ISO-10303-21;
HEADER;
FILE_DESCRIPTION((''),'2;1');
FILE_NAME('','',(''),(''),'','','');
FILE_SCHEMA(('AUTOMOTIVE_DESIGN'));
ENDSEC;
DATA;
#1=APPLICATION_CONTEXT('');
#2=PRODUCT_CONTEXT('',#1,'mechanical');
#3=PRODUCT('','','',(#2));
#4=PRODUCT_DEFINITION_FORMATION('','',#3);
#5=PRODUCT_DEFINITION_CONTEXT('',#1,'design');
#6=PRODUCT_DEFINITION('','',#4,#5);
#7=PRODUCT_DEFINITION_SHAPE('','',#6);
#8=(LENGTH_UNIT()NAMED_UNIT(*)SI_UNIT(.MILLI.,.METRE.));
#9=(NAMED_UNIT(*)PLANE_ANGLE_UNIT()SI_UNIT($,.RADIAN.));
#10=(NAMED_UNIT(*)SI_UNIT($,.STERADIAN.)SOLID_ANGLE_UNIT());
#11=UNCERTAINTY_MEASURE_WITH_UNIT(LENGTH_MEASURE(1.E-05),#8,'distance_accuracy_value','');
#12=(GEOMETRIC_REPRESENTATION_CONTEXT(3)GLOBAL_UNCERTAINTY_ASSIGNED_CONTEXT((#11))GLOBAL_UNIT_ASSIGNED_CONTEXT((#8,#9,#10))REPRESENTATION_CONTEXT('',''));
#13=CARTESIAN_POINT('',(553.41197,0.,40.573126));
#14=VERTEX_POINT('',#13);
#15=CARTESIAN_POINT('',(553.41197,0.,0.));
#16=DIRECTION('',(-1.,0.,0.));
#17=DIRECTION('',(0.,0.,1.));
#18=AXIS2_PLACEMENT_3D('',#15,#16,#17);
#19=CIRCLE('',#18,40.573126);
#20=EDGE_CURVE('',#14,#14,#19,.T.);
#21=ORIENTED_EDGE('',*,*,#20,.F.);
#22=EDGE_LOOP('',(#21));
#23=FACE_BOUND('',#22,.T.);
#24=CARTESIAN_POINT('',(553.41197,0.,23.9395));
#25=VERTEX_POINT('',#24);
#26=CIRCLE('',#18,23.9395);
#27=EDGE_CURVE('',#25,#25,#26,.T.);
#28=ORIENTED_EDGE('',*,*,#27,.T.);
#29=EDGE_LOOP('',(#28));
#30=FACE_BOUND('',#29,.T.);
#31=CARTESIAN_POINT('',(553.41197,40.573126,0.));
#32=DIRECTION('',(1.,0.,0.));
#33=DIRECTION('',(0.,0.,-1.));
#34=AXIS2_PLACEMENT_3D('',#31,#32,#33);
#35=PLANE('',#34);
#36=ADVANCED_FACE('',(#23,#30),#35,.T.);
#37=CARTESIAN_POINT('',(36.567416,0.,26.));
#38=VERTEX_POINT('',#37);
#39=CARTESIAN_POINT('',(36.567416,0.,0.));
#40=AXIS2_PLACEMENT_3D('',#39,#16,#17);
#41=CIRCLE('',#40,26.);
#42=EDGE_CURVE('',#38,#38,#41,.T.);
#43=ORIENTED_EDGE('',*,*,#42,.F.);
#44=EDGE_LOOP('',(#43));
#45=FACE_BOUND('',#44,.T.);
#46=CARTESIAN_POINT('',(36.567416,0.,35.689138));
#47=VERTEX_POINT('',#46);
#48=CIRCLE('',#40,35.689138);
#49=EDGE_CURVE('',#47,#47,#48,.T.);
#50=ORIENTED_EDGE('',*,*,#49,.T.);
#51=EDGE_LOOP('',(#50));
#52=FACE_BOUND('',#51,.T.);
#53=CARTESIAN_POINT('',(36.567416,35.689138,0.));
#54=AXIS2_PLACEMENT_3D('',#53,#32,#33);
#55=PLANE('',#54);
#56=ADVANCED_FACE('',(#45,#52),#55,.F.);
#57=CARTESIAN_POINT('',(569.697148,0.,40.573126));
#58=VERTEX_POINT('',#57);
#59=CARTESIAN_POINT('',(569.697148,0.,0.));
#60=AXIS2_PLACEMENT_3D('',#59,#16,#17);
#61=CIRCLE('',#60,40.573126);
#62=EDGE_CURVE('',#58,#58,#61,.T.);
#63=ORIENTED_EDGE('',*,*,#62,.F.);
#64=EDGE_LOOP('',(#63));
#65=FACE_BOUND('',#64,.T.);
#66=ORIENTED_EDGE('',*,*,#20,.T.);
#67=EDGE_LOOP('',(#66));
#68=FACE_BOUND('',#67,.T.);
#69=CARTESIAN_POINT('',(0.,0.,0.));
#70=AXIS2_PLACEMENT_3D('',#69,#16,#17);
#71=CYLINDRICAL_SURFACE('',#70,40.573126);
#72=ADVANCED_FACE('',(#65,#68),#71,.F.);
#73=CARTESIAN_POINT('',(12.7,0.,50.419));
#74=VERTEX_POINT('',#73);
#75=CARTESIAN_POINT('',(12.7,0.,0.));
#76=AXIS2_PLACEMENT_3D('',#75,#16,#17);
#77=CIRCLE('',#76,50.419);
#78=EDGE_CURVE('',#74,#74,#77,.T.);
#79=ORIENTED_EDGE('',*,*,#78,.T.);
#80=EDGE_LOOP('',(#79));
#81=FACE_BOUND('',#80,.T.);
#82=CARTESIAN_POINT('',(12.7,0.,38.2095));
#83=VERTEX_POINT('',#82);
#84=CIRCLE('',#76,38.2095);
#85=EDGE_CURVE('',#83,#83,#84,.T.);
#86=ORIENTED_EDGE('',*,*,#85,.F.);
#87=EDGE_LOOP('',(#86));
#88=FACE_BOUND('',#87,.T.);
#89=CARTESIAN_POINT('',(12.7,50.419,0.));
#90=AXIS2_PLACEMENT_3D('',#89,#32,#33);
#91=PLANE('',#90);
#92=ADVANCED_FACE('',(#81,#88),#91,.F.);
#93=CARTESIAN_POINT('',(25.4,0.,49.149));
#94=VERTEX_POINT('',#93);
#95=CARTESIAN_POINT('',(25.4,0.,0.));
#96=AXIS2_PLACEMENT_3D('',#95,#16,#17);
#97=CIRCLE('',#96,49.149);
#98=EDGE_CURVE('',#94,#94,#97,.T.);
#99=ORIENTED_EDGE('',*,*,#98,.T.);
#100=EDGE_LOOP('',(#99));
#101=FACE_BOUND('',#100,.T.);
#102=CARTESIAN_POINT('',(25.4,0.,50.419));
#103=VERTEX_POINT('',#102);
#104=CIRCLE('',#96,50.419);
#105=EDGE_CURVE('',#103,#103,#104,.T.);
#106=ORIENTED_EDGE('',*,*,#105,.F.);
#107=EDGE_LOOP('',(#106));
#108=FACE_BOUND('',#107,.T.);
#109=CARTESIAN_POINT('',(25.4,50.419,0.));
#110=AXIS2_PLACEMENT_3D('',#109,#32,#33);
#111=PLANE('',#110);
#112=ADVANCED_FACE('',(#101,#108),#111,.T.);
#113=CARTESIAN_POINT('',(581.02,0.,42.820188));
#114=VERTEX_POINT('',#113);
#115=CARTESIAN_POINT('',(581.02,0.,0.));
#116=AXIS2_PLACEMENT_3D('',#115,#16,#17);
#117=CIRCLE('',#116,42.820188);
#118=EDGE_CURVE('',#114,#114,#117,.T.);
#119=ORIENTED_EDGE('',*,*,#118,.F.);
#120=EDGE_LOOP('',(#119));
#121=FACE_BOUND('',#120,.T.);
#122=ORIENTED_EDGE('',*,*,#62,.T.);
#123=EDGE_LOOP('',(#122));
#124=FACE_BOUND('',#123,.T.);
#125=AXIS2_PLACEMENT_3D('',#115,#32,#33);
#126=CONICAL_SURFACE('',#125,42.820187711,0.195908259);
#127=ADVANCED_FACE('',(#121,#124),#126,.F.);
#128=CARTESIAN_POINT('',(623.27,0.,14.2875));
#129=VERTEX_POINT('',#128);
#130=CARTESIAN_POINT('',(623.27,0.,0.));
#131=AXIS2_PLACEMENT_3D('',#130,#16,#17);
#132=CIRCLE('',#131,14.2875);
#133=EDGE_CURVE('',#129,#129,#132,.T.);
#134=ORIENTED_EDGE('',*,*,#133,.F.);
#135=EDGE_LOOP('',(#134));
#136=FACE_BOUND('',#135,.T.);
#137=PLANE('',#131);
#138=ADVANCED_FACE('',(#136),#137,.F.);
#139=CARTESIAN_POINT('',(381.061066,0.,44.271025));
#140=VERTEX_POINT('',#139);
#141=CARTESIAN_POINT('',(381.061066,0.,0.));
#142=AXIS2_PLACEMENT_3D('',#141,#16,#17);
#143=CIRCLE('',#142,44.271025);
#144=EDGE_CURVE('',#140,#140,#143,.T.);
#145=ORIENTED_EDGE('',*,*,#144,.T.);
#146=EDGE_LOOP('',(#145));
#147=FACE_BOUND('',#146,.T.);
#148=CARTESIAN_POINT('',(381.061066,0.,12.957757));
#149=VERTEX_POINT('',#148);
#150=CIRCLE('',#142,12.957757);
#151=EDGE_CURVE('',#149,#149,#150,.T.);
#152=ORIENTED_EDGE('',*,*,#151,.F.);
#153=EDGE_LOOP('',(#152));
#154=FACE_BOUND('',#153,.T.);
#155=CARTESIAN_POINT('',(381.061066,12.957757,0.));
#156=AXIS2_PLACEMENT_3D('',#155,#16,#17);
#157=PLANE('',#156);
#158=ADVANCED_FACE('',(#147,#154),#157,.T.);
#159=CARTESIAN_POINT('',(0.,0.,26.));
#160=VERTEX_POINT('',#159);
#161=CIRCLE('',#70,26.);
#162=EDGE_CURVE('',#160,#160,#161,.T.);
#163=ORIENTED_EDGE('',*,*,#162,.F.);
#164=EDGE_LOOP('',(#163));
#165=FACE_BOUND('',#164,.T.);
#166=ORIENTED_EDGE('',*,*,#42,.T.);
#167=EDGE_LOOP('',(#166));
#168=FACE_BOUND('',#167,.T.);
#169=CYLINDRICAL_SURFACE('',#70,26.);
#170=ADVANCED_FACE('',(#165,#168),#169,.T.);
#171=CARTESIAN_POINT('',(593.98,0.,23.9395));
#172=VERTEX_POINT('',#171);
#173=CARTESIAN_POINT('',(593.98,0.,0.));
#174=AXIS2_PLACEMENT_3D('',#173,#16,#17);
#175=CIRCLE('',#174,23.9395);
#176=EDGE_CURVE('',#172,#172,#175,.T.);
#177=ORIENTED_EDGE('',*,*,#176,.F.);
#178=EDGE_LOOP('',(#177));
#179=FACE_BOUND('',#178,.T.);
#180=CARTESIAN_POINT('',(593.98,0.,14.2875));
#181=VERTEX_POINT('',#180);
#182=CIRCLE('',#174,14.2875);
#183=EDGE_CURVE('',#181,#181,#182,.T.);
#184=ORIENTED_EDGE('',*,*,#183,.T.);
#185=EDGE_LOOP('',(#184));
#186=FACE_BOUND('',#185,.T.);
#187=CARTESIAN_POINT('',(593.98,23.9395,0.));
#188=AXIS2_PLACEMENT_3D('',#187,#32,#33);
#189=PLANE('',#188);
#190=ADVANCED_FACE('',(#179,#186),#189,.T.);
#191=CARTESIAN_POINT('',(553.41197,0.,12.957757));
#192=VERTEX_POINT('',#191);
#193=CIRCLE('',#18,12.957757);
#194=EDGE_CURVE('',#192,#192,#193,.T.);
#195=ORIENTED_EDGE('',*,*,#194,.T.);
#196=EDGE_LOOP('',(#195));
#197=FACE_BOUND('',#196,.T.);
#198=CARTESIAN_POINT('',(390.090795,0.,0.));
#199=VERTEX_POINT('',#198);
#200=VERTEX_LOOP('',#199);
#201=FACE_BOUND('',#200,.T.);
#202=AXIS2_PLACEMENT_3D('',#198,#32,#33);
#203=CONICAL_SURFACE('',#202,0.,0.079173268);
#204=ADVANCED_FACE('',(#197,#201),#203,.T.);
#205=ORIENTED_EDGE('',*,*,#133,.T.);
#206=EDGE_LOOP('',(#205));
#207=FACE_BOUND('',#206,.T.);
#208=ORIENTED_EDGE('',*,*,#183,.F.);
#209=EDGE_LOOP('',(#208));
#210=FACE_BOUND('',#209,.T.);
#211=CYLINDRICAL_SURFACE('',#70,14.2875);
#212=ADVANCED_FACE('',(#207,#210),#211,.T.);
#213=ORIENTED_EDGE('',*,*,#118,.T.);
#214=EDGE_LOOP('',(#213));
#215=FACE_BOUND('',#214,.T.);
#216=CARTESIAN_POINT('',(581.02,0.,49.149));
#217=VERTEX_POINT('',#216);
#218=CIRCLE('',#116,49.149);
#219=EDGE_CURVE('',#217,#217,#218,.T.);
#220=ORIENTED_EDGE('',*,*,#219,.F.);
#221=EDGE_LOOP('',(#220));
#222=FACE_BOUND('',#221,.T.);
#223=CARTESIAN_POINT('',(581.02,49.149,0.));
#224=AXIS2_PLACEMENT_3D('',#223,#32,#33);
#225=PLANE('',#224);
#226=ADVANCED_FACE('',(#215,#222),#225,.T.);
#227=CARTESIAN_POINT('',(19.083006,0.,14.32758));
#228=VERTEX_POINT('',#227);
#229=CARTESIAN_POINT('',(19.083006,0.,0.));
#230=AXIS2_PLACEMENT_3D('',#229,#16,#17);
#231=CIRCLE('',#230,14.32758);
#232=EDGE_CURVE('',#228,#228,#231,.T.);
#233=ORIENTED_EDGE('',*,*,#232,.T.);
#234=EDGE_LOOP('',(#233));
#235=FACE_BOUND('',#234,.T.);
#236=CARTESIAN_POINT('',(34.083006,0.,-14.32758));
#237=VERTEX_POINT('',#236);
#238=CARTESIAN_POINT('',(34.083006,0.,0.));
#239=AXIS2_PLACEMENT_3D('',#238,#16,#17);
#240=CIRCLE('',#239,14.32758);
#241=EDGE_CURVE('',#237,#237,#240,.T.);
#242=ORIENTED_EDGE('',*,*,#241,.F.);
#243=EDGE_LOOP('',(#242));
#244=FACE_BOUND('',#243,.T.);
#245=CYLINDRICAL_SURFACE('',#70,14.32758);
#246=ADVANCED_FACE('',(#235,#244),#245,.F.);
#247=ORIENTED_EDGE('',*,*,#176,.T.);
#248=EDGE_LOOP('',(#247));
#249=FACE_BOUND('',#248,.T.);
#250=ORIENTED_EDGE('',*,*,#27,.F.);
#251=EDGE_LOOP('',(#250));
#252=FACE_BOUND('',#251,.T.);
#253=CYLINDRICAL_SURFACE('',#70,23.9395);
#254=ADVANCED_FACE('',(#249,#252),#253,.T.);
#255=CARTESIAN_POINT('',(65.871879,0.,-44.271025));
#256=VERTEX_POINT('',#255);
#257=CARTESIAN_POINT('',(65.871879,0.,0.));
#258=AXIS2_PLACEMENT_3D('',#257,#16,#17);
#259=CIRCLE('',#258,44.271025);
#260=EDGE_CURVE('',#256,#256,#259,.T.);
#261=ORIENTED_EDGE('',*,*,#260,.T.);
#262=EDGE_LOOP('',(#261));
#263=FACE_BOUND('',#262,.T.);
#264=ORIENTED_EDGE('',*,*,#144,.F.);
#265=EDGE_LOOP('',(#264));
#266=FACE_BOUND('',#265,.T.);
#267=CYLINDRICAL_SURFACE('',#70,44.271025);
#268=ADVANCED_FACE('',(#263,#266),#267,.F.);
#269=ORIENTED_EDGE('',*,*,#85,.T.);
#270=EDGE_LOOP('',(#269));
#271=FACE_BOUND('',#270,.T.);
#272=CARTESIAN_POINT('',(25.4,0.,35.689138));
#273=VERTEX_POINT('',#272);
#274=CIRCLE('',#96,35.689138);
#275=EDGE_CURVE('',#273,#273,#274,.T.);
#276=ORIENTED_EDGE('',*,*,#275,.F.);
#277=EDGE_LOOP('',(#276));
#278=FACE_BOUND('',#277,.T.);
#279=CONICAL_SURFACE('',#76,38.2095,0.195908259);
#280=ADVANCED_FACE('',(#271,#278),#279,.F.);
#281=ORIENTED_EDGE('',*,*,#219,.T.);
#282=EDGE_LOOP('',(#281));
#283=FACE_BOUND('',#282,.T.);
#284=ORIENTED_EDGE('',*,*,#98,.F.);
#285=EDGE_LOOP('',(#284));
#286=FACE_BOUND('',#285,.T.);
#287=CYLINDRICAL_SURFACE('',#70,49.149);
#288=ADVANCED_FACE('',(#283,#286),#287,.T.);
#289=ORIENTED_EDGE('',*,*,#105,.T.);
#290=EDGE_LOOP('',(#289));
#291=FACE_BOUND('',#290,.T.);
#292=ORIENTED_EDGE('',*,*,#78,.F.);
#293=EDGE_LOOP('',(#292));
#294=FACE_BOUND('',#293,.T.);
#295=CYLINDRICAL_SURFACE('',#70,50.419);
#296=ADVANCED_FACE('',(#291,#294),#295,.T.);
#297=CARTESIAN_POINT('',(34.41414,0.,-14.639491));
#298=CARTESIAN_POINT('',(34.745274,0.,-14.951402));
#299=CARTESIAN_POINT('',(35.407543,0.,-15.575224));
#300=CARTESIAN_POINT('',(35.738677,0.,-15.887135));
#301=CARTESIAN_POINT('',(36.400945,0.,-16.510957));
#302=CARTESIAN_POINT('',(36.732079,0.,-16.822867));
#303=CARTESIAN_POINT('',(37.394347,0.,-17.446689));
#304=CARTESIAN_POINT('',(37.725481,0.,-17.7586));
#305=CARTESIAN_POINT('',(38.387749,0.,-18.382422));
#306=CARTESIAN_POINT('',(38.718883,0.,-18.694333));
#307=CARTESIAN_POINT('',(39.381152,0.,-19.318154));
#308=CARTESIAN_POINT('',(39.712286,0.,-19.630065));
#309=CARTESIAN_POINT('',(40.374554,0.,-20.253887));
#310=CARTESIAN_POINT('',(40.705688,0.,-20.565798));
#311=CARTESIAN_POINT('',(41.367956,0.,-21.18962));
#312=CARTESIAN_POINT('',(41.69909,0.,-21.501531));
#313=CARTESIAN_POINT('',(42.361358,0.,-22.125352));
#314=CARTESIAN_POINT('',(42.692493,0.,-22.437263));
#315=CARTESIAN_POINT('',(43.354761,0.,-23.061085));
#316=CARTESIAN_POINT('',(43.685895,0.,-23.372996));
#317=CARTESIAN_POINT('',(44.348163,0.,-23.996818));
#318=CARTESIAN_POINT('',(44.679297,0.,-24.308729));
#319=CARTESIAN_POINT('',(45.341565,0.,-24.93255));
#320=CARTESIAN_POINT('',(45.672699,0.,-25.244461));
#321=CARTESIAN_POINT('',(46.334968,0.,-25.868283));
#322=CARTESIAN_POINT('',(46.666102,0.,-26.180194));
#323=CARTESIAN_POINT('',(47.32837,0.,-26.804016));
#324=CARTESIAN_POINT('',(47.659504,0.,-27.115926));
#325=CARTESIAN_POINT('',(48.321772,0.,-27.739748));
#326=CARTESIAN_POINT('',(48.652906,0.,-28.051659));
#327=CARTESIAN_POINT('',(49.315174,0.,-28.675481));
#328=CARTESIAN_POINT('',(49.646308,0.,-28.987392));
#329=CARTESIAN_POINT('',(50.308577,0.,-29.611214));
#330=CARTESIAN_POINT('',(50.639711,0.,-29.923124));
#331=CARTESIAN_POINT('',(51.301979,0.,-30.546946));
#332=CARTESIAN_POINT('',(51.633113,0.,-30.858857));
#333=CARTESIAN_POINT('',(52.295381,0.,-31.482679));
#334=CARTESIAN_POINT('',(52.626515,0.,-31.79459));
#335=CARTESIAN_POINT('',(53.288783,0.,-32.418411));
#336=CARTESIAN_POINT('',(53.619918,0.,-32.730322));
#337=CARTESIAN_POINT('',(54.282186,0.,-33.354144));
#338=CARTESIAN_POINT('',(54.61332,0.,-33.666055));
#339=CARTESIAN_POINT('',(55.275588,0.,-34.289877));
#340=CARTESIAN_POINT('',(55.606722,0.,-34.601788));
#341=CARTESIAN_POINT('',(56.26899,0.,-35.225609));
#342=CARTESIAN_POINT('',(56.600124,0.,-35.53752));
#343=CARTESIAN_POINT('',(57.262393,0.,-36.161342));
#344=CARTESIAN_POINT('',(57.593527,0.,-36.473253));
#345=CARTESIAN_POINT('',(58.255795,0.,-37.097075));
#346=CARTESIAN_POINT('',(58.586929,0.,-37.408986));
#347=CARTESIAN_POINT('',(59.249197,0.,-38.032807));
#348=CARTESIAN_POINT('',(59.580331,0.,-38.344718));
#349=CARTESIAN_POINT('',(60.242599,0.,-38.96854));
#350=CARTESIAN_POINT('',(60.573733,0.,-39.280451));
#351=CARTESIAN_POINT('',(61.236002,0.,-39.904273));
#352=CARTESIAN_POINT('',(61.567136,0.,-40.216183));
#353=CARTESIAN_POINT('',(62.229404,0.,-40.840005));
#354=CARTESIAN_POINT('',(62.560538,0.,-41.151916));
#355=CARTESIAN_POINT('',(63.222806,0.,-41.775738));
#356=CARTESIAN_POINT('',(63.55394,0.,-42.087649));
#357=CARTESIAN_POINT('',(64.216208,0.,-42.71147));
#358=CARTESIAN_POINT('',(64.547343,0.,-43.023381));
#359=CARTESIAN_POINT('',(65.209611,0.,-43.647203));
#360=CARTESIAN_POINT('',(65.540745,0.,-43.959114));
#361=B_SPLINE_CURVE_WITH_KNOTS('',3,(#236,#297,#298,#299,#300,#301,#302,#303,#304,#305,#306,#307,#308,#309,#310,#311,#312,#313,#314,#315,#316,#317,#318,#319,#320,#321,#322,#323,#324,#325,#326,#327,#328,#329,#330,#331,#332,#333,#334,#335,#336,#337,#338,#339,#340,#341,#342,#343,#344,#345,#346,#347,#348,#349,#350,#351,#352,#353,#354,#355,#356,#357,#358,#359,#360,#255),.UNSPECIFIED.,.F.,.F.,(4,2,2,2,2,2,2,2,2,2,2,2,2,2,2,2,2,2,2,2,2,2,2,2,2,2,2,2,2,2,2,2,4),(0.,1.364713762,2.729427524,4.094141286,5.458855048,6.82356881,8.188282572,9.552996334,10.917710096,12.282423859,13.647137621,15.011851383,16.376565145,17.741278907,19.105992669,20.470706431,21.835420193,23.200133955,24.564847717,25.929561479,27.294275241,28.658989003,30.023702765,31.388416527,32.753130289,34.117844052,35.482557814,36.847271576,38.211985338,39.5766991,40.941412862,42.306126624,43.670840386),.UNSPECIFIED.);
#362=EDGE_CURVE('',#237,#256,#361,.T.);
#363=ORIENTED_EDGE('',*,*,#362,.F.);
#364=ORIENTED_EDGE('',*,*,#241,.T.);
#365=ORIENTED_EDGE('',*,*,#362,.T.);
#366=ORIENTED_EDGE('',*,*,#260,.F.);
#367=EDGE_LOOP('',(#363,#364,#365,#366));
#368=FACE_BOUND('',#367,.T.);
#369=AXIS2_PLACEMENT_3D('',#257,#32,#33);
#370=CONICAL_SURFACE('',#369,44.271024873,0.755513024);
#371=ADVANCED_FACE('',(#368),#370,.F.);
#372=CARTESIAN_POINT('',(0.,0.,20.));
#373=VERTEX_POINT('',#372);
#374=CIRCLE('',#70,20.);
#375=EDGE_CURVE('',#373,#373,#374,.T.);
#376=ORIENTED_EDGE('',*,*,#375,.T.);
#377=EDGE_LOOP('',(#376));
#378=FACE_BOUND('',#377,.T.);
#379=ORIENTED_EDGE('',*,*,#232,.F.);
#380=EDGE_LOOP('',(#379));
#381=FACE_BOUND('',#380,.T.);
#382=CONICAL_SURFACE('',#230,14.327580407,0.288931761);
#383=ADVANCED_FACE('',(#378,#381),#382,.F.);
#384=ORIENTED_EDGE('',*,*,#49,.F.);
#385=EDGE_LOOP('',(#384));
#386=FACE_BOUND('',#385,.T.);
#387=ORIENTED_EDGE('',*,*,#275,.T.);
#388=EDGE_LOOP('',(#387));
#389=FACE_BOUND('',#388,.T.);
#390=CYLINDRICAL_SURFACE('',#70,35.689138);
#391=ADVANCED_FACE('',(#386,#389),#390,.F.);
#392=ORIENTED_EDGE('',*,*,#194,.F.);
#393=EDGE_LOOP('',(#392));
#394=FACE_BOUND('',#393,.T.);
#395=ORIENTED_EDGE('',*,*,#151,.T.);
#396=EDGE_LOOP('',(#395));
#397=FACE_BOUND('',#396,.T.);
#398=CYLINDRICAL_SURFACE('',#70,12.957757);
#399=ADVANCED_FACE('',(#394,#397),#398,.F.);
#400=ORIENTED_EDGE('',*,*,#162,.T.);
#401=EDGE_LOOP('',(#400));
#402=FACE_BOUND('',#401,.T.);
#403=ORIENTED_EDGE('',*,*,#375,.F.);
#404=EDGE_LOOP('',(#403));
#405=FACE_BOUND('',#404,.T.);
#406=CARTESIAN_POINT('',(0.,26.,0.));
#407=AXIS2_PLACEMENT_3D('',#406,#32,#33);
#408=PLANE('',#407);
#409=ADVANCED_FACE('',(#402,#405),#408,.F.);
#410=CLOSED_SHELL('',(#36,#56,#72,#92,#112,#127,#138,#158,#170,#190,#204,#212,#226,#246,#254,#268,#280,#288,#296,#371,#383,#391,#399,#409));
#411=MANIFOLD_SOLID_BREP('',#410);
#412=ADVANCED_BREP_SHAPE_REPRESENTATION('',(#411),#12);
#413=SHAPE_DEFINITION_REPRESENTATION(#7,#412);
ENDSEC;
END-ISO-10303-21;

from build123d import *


with BuildPart() as part:
    # Esquisse2 → Révolution7 (revolve)
    with BuildSketch(Plane.XY, mode=Mode.PRIVATE) as r_volution7_sk:
        Polygon((0, 26), (12.7, 26), (36.56741584, 26), (36.56741584, 35.689138439), (25.4, 35.689138439), (12.7, 38.2095), (12.7, 50.419), (25.4, 50.419), (25.4, 49.149), (581.02, 49.149), (581.02, 42.820187711), (569.69714835, 40.573126289), (553.411969834, 40.573126289), (553.411969834, 23.9395), (593.98, 23.9395), (593.98, 14.2875), (623.27, 14.2875), (623.27, 0), (0, 0), align=None)
    revolve(r_volution7_sk.sketch.rotate(Axis((0, 0, 0), (1, 0, 0)), 90), axis=Axis((0, 0, 0), (1, 0, 0)))

    # Esquisse3 → Enlèvement de matière-Révolution1 (revolve, cut)
    with BuildSketch(Plane.XY, mode=Mode.PRIVATE) as enl_vement_de_mati_re_r_volution1_sk:
        Polygon((0, 20), (0, 0), (390.090795287, 0), (553.411969834, 12.957757221), (381.061065959, 12.957757221), (381.061065959, 44.271024873), (65.871878934, 44.271024873), (34.08300614, 14.327580407), (19.08300614, 14.327580407), align=None)
    revolve(enl_vement_de_mati_re_r_volution1_sk.sketch.rotate(Axis((0, 0, 0), (1, 0, 0)), 90), axis=Axis((0, 0, 0), (1, 0, 0)), mode=Mode.SUBTRACT)


solid = part.part
